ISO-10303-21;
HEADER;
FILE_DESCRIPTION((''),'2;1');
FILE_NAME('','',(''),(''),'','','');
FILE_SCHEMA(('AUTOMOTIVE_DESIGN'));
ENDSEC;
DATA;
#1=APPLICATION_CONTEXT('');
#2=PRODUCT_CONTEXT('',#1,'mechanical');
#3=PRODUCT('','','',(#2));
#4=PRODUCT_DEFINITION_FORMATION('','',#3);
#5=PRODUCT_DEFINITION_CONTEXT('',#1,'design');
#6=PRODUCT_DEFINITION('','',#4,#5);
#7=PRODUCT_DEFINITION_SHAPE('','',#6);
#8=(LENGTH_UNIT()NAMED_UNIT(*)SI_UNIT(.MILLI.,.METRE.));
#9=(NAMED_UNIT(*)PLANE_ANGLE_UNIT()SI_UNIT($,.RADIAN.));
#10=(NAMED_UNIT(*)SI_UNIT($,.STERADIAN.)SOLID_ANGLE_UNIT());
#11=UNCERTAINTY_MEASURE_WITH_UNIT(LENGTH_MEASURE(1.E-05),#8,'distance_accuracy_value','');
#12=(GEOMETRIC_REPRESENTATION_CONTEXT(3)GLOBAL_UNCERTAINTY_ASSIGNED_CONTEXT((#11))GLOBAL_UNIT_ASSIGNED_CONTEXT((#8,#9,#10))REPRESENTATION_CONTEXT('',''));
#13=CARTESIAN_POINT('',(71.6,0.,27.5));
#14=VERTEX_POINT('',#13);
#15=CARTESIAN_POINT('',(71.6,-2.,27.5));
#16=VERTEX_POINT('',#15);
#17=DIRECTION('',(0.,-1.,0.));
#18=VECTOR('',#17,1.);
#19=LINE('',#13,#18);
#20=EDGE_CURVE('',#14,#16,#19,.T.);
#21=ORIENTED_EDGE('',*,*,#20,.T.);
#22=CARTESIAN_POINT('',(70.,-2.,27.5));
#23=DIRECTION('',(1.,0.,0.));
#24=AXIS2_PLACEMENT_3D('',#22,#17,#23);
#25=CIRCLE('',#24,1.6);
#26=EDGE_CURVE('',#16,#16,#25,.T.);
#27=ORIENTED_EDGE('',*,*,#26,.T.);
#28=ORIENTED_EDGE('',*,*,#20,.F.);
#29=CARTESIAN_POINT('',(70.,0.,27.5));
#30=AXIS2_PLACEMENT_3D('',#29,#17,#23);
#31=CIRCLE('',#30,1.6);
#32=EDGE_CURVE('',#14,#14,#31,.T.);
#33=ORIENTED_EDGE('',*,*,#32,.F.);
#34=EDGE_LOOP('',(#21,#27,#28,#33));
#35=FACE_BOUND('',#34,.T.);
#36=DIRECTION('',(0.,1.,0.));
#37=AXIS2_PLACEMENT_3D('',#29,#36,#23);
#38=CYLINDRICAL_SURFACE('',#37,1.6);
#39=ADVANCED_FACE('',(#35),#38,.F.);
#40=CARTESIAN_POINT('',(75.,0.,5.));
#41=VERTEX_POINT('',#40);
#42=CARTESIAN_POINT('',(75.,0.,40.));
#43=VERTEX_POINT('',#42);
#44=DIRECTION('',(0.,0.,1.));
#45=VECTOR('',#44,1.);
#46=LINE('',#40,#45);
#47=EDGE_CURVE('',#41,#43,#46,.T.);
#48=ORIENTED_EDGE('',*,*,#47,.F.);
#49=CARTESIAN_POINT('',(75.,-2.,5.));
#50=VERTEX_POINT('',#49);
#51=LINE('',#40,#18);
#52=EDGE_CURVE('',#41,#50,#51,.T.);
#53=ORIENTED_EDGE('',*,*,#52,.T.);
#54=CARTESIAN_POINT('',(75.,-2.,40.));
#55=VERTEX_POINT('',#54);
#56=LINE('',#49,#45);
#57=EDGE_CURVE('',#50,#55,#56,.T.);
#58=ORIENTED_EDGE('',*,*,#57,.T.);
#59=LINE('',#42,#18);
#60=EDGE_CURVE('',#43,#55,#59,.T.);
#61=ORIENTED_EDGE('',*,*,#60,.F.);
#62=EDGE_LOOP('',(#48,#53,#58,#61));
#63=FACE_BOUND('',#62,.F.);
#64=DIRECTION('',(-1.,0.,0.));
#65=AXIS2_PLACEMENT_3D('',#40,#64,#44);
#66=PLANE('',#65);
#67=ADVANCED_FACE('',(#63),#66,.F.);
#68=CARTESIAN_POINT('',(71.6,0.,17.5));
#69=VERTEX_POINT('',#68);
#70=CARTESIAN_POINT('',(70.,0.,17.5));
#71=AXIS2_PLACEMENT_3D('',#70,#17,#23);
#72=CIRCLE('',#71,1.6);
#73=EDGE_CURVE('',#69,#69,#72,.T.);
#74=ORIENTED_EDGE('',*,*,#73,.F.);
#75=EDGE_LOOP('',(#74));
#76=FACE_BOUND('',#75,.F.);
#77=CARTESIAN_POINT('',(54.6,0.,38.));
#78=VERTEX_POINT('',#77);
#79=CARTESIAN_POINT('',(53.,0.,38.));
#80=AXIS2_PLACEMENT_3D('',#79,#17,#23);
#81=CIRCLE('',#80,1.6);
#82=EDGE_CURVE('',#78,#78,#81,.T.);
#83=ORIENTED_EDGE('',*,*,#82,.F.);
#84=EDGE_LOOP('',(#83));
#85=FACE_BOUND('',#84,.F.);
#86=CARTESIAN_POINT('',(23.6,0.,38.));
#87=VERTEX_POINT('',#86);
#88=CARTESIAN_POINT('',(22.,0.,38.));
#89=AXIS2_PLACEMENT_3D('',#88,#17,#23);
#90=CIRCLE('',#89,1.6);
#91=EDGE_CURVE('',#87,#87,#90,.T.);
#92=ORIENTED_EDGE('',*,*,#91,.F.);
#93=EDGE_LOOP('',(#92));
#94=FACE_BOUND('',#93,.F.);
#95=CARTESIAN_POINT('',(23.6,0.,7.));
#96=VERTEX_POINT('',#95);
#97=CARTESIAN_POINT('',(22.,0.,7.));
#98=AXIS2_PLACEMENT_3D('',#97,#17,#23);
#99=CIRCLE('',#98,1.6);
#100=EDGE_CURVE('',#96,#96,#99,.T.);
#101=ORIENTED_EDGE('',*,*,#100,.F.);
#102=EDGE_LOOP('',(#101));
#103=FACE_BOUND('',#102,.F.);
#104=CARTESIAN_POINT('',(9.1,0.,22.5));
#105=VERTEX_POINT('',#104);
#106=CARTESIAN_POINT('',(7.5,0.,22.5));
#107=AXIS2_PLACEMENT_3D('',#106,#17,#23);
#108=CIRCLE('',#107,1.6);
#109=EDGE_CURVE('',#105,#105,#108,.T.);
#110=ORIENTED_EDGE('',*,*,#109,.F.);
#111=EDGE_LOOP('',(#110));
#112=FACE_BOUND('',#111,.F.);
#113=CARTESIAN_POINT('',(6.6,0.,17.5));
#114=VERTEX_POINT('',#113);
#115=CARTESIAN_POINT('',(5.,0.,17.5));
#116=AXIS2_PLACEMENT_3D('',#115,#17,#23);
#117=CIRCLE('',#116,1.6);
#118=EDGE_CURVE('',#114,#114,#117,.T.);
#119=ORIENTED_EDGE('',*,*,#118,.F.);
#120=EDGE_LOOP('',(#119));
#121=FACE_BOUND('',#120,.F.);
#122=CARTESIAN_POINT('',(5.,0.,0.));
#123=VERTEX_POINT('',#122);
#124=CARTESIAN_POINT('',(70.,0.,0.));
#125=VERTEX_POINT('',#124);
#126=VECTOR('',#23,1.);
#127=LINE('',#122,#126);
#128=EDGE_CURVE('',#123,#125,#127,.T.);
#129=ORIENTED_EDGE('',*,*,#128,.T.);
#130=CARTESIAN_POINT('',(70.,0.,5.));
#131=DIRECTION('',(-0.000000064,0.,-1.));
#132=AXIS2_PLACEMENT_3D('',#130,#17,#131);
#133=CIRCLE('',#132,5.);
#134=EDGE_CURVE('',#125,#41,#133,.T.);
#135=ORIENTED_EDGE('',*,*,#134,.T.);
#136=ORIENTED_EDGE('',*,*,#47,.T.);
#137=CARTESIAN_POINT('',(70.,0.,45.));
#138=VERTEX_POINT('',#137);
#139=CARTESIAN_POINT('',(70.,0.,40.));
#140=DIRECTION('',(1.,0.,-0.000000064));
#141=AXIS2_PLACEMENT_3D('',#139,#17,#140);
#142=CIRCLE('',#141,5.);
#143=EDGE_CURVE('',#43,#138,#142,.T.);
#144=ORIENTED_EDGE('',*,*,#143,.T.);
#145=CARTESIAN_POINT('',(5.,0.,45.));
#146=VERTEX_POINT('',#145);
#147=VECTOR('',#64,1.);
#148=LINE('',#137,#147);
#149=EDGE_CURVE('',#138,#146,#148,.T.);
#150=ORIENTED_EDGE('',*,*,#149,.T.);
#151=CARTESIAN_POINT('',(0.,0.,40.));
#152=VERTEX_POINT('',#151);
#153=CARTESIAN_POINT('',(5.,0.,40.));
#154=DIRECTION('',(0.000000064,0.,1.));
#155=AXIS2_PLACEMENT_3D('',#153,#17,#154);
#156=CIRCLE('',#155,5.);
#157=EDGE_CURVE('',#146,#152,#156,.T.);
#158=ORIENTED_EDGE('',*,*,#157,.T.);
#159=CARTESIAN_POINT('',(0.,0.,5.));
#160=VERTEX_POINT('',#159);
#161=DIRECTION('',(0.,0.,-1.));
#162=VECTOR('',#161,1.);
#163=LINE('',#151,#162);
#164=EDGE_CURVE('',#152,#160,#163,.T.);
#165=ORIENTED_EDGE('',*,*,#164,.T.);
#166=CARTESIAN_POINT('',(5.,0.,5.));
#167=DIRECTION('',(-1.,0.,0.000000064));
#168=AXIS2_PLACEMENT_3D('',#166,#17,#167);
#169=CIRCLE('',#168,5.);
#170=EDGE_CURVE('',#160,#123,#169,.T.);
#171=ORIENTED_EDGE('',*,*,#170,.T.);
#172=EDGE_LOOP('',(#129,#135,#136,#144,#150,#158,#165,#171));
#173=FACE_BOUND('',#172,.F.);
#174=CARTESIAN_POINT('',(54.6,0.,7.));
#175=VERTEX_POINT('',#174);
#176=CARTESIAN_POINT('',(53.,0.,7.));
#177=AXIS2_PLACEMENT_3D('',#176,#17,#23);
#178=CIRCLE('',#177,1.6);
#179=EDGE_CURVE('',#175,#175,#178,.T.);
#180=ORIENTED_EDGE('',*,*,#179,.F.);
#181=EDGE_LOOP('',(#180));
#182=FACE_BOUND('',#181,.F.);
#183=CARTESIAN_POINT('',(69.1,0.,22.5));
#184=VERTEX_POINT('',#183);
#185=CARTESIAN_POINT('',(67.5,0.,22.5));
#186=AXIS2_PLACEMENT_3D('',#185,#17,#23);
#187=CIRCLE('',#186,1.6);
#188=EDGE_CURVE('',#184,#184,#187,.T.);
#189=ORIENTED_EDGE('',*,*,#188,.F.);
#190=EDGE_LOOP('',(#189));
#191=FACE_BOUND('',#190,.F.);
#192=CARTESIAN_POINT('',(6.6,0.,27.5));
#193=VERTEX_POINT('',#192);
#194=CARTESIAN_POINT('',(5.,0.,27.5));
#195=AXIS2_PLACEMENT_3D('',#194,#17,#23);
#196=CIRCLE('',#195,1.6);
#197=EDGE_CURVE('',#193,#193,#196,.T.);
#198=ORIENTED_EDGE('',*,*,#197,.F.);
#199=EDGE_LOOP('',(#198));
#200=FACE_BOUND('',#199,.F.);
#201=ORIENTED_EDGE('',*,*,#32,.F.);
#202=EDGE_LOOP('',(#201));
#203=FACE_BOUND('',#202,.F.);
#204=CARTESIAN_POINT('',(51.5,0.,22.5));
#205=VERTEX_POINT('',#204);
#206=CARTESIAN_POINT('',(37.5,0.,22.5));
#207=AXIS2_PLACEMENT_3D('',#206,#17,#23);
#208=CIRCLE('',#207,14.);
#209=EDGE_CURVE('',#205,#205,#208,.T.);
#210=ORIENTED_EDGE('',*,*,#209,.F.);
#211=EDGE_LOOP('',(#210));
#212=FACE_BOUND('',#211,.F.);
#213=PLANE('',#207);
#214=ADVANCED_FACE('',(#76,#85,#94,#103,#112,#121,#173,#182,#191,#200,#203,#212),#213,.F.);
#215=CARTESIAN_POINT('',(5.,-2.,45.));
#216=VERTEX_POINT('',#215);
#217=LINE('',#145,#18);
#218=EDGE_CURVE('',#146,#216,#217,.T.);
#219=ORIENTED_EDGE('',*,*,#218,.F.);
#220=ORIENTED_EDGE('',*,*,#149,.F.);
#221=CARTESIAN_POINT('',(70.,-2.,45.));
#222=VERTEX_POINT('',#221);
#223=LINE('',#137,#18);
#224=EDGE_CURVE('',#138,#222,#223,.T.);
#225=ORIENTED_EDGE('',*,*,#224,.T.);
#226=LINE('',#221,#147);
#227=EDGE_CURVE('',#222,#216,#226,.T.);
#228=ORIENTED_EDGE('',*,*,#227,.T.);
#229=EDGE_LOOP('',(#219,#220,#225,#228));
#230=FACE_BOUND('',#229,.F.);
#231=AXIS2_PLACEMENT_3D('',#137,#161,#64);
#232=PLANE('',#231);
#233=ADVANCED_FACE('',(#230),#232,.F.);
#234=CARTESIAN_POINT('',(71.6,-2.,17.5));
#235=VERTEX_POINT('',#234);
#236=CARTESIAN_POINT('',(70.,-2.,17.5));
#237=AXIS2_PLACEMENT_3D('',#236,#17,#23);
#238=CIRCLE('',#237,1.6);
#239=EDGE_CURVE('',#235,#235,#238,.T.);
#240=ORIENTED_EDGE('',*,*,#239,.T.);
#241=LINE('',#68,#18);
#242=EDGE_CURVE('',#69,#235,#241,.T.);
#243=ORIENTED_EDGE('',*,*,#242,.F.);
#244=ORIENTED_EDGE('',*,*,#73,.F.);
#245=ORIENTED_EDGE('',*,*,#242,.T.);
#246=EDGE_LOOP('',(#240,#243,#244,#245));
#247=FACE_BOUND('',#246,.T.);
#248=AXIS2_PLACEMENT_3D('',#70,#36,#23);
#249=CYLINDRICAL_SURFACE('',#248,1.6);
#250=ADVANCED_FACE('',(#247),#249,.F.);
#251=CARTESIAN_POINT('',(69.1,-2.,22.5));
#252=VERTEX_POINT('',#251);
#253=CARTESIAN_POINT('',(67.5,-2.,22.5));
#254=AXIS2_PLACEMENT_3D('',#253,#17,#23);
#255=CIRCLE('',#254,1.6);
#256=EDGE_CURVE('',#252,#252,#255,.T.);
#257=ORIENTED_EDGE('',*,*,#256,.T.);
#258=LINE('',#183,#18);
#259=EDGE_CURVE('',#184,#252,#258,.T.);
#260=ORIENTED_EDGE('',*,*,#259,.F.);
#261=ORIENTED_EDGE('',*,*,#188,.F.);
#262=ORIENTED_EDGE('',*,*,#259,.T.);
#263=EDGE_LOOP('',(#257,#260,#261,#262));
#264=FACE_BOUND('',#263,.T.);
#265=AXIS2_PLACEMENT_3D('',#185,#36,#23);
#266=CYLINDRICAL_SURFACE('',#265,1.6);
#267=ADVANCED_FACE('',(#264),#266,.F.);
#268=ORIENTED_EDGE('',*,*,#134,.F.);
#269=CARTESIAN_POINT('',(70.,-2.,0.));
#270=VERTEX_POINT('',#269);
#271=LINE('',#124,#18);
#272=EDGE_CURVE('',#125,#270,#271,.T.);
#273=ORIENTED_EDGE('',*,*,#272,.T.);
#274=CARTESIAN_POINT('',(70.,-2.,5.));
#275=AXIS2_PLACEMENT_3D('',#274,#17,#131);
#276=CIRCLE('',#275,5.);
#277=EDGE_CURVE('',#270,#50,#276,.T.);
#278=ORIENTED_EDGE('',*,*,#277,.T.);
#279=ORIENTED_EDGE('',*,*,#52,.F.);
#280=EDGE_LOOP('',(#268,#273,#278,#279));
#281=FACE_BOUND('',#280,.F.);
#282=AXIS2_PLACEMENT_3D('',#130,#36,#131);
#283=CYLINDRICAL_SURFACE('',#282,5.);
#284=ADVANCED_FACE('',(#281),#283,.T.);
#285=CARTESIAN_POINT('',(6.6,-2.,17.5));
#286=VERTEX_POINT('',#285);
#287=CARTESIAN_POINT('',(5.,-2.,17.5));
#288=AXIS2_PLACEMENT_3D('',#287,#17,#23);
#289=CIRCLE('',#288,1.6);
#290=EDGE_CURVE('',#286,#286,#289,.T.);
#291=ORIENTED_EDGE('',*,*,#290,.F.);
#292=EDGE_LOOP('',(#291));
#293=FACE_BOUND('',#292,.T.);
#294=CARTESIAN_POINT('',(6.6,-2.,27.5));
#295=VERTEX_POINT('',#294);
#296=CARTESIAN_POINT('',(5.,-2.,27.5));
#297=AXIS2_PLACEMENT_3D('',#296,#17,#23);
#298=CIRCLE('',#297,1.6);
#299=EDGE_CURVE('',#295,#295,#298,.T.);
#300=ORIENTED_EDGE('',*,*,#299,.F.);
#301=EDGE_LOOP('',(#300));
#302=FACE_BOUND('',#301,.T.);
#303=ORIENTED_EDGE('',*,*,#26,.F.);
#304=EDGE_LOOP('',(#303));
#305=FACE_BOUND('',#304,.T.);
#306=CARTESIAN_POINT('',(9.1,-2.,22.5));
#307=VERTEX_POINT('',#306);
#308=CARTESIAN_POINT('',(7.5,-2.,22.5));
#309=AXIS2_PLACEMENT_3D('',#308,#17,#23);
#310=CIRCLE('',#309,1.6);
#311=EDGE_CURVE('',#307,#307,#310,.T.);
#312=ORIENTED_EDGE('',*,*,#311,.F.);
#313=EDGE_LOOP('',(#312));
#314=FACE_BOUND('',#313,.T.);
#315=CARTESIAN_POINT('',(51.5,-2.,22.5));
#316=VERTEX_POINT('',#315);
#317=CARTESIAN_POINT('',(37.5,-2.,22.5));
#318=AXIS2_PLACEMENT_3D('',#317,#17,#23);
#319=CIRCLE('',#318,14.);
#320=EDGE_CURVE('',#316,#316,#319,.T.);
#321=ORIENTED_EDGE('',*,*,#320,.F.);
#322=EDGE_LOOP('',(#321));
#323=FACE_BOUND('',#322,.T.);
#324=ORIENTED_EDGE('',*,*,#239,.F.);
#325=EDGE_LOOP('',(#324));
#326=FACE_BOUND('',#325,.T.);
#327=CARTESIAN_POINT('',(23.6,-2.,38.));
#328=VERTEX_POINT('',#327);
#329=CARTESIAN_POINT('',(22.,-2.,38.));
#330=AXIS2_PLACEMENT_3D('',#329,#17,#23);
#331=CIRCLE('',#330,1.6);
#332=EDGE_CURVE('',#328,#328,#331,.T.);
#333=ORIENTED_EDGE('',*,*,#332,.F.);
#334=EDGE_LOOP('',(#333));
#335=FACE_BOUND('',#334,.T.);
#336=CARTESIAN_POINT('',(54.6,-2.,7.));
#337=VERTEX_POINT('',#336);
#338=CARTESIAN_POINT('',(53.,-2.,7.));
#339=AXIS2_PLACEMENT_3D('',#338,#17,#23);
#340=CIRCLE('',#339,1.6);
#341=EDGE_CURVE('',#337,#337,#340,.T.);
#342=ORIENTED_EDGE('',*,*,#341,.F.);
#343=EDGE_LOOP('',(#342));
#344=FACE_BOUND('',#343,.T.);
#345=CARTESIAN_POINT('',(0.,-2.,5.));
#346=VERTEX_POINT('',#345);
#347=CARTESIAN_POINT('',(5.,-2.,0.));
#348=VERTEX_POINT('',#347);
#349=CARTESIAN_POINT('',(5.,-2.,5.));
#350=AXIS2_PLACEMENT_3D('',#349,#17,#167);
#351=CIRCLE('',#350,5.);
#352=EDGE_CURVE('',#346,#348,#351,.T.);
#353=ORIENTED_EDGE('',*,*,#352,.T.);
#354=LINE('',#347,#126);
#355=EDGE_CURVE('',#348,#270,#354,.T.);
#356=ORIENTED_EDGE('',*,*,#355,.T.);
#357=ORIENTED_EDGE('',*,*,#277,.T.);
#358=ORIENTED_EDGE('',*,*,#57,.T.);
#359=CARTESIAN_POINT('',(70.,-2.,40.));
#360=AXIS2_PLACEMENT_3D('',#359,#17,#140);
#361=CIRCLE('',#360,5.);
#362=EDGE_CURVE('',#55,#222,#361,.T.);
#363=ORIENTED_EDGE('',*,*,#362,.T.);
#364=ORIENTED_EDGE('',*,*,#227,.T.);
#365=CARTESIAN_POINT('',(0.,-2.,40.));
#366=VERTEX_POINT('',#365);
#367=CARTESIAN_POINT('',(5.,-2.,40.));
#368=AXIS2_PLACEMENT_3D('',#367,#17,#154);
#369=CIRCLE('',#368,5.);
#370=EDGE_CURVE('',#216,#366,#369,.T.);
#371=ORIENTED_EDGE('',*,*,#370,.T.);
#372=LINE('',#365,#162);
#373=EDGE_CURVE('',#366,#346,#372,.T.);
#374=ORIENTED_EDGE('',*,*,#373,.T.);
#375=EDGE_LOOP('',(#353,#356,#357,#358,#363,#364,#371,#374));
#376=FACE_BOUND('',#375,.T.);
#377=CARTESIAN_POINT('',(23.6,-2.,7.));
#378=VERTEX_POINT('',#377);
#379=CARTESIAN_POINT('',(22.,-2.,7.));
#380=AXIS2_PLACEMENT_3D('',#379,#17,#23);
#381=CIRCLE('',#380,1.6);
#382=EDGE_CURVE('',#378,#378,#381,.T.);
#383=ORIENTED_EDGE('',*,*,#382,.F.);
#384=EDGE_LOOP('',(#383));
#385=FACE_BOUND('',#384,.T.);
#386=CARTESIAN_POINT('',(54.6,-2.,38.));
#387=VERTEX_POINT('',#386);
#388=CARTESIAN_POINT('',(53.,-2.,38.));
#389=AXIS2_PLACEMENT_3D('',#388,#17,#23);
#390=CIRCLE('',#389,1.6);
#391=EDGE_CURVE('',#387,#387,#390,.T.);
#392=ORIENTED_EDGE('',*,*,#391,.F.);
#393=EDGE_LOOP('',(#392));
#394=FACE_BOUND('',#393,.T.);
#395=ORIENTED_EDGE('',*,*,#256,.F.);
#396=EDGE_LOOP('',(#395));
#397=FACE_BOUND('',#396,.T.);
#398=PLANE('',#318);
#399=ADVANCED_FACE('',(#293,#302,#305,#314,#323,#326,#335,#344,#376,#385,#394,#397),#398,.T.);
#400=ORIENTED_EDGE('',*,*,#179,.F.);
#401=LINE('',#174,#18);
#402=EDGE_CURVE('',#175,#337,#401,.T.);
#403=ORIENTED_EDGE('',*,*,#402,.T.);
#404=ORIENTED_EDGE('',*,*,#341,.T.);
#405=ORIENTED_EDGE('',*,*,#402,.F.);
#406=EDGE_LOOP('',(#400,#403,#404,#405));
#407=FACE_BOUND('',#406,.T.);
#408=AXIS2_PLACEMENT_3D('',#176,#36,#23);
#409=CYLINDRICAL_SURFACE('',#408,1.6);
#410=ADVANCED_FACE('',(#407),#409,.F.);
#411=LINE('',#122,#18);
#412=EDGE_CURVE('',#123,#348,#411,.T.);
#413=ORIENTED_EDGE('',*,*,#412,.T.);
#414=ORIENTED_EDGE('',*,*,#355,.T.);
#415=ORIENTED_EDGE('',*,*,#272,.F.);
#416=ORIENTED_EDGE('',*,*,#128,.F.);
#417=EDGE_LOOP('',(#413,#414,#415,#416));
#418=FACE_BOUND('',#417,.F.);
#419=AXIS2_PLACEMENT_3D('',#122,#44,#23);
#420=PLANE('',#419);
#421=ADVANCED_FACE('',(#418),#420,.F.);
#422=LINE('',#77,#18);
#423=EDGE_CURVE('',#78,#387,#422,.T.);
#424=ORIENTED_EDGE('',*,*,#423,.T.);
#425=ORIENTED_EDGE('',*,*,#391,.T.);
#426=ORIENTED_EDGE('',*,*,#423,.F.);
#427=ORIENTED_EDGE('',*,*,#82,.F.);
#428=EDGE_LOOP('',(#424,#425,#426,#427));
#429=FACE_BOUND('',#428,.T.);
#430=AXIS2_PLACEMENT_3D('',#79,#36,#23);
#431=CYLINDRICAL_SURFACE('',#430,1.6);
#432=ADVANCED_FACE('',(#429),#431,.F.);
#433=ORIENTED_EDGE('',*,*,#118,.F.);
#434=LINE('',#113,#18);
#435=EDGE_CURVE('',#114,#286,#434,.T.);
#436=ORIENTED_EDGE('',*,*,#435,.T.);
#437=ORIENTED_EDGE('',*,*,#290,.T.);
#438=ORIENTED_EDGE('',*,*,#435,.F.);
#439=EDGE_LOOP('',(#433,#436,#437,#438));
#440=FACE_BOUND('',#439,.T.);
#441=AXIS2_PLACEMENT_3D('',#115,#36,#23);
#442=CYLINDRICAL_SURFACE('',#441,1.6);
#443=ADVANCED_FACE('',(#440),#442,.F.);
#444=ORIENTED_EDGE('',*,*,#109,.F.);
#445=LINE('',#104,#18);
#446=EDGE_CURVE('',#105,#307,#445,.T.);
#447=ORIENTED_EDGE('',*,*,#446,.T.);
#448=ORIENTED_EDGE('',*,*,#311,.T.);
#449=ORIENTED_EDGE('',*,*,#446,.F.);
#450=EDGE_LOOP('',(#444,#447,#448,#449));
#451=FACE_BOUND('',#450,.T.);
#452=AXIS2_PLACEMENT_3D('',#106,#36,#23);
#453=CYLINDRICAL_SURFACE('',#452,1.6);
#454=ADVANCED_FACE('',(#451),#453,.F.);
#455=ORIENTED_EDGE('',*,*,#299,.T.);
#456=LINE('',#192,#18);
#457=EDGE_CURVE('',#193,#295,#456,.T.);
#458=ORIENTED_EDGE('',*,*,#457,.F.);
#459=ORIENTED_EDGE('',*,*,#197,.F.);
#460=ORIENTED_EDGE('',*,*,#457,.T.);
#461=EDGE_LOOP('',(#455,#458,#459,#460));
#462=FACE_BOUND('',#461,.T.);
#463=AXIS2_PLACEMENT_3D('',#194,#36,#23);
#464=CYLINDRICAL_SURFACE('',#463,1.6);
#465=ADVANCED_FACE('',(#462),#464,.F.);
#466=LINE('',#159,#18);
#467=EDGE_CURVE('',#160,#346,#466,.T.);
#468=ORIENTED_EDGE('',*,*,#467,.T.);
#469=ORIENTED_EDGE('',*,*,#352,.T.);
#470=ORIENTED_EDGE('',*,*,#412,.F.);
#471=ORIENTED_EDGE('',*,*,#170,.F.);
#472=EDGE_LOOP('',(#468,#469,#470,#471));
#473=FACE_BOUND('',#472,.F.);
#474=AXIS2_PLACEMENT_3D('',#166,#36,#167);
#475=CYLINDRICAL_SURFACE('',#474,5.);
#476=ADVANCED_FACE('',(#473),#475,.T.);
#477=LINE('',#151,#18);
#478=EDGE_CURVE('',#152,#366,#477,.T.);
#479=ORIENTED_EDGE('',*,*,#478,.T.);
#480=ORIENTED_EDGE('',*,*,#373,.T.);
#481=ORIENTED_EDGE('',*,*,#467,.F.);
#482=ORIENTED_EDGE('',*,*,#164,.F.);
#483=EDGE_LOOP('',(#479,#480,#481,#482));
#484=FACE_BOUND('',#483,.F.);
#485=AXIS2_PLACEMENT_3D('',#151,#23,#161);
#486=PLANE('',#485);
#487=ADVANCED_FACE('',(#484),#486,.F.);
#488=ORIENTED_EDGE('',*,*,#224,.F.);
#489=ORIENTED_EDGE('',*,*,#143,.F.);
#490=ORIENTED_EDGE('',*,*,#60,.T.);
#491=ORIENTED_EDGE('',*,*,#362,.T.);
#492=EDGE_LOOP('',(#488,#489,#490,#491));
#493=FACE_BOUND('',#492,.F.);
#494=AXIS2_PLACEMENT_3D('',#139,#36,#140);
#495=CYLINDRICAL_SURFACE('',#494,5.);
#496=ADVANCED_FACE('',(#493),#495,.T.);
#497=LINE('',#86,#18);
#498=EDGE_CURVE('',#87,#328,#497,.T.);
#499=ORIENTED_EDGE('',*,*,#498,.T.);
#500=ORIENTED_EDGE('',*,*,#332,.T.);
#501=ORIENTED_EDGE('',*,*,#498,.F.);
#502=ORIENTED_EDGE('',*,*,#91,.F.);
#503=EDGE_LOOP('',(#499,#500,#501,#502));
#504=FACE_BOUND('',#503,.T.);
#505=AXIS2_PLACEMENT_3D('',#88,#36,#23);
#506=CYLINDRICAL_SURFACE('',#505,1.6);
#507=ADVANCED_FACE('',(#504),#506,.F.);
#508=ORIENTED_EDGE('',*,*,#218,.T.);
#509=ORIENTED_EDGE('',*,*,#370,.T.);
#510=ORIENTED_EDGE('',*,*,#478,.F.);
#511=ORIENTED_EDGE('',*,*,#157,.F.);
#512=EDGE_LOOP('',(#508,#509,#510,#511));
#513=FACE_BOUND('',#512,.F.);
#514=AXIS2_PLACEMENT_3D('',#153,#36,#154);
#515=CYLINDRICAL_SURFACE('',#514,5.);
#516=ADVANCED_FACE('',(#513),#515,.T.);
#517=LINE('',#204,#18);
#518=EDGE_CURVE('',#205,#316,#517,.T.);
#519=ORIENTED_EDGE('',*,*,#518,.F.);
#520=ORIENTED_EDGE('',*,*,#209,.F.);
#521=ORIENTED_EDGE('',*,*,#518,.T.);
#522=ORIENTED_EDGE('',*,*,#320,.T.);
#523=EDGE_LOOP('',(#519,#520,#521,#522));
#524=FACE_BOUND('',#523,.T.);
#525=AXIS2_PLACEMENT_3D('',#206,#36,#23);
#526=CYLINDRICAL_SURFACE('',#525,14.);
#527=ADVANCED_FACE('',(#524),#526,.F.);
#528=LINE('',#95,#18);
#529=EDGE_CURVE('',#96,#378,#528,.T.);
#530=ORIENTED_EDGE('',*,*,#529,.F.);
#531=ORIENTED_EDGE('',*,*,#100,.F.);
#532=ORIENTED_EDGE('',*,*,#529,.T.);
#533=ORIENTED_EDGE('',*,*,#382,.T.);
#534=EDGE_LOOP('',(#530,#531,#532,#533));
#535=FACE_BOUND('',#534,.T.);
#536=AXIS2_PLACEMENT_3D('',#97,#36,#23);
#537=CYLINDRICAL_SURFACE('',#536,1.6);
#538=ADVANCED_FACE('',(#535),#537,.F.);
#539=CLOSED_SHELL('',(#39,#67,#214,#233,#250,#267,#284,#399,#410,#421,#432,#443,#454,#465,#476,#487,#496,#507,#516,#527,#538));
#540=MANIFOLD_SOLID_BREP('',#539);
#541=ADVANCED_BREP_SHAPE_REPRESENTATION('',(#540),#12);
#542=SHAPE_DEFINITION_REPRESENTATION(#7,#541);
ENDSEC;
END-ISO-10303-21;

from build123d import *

# Parameters (mm, degrees)
F0_R     = 1.6
F0_R_2   = 14
F1_DEPTH = 2


with BuildPart() as f1:
    # F0 (on Front) → F1 (new body)
    with BuildSketch(Plane.XZ):
        with BuildLine():
            ThreePointArc((0, 5), (1.464466, 1.464466), (5, 0))
            Line((5, 0), (70, 0))
            ThreePointArc((70, 0), (73.535534, 1.464466), (75, 5))
            Line((75, 5), (75, 40))
            ThreePointArc((75, 40), (73.535534, 43.535534), (70, 45))
            Line((70, 45), (5, 45))
            ThreePointArc((5, 45), (1.464466, 43.535534), (0, 40))
            Line((0, 40), (0, 5))
        make_face()
        with Locations((22, 7)):
            Circle(F0_R, mode=Mode.SUBTRACT)
        with Locations((5, 17.5)):
            Circle(F0_R, mode=Mode.SUBTRACT)
        with Locations((53, 7)):
            Circle(F0_R, mode=Mode.SUBTRACT)
        with Locations((70, 17.5)):
            Circle(F0_R, mode=Mode.SUBTRACT)
        with Locations((7.5, 22.5)):
            Circle(F0_R, mode=Mode.SUBTRACT)
        with Locations((5, 27.5)):
            Circle(F0_R, mode=Mode.SUBTRACT)
        with Locations((22, 38)):
            Circle(F0_R, mode=Mode.SUBTRACT)
        with Locations((37.5, 22.5)):
            Circle(F0_R_2, mode=Mode.SUBTRACT)
        with Locations((67.5, 22.5)):
            Circle(F0_R, mode=Mode.SUBTRACT)
        with Locations((70, 27.5)):
            Circle(F0_R, mode=Mode.SUBTRACT)
        with Locations((53, 38)):
            Circle(F0_R, mode=Mode.SUBTRACT)
    extrude(amount=F1_DEPTH)


solid = f1.part
